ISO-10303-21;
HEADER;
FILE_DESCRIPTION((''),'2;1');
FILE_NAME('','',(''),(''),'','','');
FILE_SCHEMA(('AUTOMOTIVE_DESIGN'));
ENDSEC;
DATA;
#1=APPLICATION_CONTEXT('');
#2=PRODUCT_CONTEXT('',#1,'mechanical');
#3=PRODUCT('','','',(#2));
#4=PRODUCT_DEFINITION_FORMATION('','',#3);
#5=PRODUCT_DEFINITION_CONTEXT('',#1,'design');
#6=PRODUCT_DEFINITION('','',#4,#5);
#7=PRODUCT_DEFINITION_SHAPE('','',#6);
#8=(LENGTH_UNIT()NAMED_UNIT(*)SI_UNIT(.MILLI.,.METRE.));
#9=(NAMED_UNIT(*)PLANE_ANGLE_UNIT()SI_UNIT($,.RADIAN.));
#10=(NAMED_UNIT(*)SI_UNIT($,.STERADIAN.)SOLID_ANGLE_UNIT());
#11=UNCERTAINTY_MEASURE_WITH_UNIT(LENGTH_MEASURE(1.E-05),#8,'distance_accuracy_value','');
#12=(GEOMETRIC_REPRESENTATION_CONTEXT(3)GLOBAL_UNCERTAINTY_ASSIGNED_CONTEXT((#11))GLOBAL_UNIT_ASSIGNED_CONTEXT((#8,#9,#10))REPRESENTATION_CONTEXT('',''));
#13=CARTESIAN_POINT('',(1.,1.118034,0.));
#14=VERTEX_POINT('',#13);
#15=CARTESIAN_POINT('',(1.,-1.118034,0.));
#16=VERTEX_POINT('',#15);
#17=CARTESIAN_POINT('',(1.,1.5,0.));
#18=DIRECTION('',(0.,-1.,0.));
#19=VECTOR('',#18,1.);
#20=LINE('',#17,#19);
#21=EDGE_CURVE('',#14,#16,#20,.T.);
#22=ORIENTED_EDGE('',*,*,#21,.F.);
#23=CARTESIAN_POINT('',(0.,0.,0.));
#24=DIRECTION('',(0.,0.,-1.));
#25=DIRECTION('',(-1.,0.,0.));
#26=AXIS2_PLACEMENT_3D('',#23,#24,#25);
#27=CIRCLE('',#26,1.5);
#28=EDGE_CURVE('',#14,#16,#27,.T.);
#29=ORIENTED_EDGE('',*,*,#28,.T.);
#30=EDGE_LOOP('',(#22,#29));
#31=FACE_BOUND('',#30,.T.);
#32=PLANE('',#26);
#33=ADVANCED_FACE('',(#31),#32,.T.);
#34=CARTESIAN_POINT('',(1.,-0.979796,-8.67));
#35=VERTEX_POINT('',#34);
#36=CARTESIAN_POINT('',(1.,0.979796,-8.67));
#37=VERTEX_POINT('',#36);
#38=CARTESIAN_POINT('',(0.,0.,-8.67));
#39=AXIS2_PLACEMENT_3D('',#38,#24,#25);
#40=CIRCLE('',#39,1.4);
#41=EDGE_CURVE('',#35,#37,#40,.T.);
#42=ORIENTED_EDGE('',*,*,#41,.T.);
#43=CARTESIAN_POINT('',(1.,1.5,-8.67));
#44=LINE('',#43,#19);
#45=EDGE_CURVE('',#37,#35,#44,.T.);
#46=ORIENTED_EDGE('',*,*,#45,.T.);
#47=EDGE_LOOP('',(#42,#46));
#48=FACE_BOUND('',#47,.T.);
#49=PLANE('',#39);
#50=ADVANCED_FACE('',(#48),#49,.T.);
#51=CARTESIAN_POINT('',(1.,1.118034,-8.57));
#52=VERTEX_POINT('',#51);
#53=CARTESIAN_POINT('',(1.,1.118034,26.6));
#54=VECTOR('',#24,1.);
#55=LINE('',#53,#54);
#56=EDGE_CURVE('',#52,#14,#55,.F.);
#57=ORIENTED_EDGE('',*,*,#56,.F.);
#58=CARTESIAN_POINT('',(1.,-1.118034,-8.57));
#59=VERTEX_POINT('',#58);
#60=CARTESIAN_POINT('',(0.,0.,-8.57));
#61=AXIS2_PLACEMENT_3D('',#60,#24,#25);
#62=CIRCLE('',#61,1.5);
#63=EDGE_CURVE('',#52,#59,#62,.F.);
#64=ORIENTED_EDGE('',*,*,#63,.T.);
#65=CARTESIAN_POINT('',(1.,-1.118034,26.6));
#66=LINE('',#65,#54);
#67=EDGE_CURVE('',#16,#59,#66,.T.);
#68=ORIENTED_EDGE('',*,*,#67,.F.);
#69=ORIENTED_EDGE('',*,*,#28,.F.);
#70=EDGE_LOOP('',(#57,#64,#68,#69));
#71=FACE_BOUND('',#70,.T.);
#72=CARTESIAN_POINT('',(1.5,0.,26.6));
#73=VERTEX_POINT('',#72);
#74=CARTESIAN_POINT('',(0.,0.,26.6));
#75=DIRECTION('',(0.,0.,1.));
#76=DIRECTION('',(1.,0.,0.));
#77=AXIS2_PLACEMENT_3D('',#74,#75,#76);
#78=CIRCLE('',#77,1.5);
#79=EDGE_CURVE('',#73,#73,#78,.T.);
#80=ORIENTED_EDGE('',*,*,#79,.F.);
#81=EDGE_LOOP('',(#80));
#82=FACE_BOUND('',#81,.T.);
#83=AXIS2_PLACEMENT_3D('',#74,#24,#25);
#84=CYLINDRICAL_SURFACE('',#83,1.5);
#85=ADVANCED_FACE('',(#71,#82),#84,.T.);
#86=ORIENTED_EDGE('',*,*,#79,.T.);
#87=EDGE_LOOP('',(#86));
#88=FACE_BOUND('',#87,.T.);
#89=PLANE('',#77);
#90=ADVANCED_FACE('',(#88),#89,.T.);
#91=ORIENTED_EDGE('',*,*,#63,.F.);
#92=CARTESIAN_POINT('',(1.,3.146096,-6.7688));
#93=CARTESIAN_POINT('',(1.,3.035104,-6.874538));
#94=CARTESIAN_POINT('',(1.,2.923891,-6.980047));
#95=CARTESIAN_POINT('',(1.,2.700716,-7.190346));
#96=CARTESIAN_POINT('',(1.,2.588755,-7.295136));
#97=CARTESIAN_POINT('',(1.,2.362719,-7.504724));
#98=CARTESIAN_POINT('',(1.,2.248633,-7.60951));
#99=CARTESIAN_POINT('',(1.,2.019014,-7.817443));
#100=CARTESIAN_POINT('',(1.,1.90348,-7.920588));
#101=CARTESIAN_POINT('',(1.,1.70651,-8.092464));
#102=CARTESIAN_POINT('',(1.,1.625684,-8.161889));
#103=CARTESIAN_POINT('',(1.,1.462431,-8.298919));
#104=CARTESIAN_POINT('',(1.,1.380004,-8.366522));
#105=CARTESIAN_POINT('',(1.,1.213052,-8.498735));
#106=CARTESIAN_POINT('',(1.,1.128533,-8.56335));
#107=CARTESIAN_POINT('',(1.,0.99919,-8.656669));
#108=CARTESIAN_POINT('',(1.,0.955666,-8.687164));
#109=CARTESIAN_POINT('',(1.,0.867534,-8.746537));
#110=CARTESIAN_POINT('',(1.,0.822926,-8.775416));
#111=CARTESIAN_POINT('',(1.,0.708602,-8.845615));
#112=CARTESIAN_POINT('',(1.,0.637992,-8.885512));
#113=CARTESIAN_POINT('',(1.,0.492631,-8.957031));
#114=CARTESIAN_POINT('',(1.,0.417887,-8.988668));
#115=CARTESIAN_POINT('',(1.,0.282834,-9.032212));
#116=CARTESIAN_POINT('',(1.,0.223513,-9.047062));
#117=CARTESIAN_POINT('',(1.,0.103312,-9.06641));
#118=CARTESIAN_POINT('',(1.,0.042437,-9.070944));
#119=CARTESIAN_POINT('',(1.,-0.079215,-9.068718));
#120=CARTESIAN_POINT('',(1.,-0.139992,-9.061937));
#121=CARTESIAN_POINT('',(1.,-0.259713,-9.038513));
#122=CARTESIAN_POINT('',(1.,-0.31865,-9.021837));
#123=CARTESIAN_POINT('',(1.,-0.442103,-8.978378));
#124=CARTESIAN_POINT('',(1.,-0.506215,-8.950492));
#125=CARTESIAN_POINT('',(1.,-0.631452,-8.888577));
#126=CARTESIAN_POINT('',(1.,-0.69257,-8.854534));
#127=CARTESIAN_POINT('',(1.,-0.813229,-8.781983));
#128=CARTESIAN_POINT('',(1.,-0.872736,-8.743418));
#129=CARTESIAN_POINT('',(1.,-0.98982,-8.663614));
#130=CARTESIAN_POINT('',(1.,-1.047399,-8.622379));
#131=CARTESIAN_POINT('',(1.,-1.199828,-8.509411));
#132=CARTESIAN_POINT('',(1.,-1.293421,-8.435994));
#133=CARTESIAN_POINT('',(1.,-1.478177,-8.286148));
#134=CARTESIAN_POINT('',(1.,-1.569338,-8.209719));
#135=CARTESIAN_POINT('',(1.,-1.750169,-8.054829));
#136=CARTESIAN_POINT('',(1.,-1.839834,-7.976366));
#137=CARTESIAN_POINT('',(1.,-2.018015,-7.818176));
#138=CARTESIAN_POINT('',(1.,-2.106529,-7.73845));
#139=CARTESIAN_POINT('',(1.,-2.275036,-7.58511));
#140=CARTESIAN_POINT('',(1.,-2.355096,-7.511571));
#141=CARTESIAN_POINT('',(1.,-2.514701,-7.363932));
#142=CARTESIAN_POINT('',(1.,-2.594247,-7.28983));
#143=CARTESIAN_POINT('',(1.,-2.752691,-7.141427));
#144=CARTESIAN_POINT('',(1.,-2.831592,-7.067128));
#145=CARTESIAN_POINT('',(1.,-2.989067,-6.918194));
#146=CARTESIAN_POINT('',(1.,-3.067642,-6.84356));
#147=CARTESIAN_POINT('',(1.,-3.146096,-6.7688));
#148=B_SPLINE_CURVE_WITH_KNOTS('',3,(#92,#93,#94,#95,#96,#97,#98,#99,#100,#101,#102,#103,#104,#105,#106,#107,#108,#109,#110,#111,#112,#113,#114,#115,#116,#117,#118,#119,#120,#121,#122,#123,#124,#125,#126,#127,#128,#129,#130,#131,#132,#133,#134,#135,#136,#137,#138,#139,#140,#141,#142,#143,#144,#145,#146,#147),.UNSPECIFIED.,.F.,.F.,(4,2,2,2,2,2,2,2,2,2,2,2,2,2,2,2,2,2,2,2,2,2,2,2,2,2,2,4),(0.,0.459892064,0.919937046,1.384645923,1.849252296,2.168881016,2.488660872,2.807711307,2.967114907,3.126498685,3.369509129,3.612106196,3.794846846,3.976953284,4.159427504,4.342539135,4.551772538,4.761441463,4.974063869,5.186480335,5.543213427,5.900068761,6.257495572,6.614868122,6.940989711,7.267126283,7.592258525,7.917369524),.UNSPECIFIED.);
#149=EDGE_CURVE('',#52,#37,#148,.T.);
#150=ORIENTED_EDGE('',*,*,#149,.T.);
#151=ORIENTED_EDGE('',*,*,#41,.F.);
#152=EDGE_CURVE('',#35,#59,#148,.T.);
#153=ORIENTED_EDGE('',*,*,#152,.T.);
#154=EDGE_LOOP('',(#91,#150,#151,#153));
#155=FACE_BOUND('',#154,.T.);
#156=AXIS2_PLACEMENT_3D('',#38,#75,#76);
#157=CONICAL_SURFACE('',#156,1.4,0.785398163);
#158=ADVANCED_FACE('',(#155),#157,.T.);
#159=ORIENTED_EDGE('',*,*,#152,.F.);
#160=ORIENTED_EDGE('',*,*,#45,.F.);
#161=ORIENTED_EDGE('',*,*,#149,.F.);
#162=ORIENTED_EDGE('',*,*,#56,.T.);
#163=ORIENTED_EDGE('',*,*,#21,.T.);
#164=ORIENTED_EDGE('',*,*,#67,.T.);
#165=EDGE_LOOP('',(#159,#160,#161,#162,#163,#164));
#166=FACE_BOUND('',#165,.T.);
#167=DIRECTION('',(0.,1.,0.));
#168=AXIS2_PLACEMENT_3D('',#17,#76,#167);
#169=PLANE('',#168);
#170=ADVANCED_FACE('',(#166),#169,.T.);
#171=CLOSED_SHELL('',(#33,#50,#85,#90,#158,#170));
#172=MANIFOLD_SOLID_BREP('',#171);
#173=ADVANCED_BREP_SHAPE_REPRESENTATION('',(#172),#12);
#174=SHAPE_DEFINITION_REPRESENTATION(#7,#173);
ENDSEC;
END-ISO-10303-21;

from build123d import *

# Parameters (mm, degrees)
SKETCH_1_R           = 1.5
EXTRUDE_1_DEPTH      = 26.6
SKETCH_2_R           = 1.5
EXTRUDE_2_DEPTH      = 8.67
CHAMFER_1_SIZE       = 0.1
SKETCH_3_OUTSIDE_W   = 12.104
SKETCH_3_OUTSIDE_H   = 12.104
SKETCH_3_OUTSIDE_W_2 = 2.5
SKETCH_3_OUTSIDE_H_2 = 3
CUT_EXTRUDE_1_DEPTH  = 8.67


with BuildPart() as part:
    # Эскиз1 → Бобышка-Вытянуть1 (new body)
    with BuildSketch(Plane.XY):
        Circle(SKETCH_1_R)
    extrude(amount=EXTRUDE_1_DEPTH)

    # Эскиз2 → Бобышка-Вытянуть2 (add)
    with BuildSketch(Plane(origin=(0, 0, 0), x_dir=(-1, 0, 0), z_dir=(0, 0, -1))):
        Circle(SKETCH_2_R)
    extrude(amount=EXTRUDE_2_DEPTH)

    # Фаска1
    chamfer_1_edges = [part.edges().sort_by_distance(p)[0] for p in [
        (1.5, 0, -8.67),
    ]]
    chamfer(chamfer_1_edges, length=CHAMFER_1_SIZE)

    # Эскиз3 outside → Вырез-Вытянуть1 (cut)
    with BuildSketch(Plane(origin=(0, 0, -8.67), x_dir=(-1, 0, 0), z_dir=(0, 0, -1))):
        Rectangle(SKETCH_3_OUTSIDE_W, SKETCH_3_OUTSIDE_H)
        with Locations((0.25, 0)):
            Rectangle(SKETCH_3_OUTSIDE_W_2, SKETCH_3_OUTSIDE_H_2, mode=Mode.SUBTRACT)
    extrude(amount=-CUT_EXTRUDE_1_DEPTH, mode=Mode.SUBTRACT)


solid = part.part
